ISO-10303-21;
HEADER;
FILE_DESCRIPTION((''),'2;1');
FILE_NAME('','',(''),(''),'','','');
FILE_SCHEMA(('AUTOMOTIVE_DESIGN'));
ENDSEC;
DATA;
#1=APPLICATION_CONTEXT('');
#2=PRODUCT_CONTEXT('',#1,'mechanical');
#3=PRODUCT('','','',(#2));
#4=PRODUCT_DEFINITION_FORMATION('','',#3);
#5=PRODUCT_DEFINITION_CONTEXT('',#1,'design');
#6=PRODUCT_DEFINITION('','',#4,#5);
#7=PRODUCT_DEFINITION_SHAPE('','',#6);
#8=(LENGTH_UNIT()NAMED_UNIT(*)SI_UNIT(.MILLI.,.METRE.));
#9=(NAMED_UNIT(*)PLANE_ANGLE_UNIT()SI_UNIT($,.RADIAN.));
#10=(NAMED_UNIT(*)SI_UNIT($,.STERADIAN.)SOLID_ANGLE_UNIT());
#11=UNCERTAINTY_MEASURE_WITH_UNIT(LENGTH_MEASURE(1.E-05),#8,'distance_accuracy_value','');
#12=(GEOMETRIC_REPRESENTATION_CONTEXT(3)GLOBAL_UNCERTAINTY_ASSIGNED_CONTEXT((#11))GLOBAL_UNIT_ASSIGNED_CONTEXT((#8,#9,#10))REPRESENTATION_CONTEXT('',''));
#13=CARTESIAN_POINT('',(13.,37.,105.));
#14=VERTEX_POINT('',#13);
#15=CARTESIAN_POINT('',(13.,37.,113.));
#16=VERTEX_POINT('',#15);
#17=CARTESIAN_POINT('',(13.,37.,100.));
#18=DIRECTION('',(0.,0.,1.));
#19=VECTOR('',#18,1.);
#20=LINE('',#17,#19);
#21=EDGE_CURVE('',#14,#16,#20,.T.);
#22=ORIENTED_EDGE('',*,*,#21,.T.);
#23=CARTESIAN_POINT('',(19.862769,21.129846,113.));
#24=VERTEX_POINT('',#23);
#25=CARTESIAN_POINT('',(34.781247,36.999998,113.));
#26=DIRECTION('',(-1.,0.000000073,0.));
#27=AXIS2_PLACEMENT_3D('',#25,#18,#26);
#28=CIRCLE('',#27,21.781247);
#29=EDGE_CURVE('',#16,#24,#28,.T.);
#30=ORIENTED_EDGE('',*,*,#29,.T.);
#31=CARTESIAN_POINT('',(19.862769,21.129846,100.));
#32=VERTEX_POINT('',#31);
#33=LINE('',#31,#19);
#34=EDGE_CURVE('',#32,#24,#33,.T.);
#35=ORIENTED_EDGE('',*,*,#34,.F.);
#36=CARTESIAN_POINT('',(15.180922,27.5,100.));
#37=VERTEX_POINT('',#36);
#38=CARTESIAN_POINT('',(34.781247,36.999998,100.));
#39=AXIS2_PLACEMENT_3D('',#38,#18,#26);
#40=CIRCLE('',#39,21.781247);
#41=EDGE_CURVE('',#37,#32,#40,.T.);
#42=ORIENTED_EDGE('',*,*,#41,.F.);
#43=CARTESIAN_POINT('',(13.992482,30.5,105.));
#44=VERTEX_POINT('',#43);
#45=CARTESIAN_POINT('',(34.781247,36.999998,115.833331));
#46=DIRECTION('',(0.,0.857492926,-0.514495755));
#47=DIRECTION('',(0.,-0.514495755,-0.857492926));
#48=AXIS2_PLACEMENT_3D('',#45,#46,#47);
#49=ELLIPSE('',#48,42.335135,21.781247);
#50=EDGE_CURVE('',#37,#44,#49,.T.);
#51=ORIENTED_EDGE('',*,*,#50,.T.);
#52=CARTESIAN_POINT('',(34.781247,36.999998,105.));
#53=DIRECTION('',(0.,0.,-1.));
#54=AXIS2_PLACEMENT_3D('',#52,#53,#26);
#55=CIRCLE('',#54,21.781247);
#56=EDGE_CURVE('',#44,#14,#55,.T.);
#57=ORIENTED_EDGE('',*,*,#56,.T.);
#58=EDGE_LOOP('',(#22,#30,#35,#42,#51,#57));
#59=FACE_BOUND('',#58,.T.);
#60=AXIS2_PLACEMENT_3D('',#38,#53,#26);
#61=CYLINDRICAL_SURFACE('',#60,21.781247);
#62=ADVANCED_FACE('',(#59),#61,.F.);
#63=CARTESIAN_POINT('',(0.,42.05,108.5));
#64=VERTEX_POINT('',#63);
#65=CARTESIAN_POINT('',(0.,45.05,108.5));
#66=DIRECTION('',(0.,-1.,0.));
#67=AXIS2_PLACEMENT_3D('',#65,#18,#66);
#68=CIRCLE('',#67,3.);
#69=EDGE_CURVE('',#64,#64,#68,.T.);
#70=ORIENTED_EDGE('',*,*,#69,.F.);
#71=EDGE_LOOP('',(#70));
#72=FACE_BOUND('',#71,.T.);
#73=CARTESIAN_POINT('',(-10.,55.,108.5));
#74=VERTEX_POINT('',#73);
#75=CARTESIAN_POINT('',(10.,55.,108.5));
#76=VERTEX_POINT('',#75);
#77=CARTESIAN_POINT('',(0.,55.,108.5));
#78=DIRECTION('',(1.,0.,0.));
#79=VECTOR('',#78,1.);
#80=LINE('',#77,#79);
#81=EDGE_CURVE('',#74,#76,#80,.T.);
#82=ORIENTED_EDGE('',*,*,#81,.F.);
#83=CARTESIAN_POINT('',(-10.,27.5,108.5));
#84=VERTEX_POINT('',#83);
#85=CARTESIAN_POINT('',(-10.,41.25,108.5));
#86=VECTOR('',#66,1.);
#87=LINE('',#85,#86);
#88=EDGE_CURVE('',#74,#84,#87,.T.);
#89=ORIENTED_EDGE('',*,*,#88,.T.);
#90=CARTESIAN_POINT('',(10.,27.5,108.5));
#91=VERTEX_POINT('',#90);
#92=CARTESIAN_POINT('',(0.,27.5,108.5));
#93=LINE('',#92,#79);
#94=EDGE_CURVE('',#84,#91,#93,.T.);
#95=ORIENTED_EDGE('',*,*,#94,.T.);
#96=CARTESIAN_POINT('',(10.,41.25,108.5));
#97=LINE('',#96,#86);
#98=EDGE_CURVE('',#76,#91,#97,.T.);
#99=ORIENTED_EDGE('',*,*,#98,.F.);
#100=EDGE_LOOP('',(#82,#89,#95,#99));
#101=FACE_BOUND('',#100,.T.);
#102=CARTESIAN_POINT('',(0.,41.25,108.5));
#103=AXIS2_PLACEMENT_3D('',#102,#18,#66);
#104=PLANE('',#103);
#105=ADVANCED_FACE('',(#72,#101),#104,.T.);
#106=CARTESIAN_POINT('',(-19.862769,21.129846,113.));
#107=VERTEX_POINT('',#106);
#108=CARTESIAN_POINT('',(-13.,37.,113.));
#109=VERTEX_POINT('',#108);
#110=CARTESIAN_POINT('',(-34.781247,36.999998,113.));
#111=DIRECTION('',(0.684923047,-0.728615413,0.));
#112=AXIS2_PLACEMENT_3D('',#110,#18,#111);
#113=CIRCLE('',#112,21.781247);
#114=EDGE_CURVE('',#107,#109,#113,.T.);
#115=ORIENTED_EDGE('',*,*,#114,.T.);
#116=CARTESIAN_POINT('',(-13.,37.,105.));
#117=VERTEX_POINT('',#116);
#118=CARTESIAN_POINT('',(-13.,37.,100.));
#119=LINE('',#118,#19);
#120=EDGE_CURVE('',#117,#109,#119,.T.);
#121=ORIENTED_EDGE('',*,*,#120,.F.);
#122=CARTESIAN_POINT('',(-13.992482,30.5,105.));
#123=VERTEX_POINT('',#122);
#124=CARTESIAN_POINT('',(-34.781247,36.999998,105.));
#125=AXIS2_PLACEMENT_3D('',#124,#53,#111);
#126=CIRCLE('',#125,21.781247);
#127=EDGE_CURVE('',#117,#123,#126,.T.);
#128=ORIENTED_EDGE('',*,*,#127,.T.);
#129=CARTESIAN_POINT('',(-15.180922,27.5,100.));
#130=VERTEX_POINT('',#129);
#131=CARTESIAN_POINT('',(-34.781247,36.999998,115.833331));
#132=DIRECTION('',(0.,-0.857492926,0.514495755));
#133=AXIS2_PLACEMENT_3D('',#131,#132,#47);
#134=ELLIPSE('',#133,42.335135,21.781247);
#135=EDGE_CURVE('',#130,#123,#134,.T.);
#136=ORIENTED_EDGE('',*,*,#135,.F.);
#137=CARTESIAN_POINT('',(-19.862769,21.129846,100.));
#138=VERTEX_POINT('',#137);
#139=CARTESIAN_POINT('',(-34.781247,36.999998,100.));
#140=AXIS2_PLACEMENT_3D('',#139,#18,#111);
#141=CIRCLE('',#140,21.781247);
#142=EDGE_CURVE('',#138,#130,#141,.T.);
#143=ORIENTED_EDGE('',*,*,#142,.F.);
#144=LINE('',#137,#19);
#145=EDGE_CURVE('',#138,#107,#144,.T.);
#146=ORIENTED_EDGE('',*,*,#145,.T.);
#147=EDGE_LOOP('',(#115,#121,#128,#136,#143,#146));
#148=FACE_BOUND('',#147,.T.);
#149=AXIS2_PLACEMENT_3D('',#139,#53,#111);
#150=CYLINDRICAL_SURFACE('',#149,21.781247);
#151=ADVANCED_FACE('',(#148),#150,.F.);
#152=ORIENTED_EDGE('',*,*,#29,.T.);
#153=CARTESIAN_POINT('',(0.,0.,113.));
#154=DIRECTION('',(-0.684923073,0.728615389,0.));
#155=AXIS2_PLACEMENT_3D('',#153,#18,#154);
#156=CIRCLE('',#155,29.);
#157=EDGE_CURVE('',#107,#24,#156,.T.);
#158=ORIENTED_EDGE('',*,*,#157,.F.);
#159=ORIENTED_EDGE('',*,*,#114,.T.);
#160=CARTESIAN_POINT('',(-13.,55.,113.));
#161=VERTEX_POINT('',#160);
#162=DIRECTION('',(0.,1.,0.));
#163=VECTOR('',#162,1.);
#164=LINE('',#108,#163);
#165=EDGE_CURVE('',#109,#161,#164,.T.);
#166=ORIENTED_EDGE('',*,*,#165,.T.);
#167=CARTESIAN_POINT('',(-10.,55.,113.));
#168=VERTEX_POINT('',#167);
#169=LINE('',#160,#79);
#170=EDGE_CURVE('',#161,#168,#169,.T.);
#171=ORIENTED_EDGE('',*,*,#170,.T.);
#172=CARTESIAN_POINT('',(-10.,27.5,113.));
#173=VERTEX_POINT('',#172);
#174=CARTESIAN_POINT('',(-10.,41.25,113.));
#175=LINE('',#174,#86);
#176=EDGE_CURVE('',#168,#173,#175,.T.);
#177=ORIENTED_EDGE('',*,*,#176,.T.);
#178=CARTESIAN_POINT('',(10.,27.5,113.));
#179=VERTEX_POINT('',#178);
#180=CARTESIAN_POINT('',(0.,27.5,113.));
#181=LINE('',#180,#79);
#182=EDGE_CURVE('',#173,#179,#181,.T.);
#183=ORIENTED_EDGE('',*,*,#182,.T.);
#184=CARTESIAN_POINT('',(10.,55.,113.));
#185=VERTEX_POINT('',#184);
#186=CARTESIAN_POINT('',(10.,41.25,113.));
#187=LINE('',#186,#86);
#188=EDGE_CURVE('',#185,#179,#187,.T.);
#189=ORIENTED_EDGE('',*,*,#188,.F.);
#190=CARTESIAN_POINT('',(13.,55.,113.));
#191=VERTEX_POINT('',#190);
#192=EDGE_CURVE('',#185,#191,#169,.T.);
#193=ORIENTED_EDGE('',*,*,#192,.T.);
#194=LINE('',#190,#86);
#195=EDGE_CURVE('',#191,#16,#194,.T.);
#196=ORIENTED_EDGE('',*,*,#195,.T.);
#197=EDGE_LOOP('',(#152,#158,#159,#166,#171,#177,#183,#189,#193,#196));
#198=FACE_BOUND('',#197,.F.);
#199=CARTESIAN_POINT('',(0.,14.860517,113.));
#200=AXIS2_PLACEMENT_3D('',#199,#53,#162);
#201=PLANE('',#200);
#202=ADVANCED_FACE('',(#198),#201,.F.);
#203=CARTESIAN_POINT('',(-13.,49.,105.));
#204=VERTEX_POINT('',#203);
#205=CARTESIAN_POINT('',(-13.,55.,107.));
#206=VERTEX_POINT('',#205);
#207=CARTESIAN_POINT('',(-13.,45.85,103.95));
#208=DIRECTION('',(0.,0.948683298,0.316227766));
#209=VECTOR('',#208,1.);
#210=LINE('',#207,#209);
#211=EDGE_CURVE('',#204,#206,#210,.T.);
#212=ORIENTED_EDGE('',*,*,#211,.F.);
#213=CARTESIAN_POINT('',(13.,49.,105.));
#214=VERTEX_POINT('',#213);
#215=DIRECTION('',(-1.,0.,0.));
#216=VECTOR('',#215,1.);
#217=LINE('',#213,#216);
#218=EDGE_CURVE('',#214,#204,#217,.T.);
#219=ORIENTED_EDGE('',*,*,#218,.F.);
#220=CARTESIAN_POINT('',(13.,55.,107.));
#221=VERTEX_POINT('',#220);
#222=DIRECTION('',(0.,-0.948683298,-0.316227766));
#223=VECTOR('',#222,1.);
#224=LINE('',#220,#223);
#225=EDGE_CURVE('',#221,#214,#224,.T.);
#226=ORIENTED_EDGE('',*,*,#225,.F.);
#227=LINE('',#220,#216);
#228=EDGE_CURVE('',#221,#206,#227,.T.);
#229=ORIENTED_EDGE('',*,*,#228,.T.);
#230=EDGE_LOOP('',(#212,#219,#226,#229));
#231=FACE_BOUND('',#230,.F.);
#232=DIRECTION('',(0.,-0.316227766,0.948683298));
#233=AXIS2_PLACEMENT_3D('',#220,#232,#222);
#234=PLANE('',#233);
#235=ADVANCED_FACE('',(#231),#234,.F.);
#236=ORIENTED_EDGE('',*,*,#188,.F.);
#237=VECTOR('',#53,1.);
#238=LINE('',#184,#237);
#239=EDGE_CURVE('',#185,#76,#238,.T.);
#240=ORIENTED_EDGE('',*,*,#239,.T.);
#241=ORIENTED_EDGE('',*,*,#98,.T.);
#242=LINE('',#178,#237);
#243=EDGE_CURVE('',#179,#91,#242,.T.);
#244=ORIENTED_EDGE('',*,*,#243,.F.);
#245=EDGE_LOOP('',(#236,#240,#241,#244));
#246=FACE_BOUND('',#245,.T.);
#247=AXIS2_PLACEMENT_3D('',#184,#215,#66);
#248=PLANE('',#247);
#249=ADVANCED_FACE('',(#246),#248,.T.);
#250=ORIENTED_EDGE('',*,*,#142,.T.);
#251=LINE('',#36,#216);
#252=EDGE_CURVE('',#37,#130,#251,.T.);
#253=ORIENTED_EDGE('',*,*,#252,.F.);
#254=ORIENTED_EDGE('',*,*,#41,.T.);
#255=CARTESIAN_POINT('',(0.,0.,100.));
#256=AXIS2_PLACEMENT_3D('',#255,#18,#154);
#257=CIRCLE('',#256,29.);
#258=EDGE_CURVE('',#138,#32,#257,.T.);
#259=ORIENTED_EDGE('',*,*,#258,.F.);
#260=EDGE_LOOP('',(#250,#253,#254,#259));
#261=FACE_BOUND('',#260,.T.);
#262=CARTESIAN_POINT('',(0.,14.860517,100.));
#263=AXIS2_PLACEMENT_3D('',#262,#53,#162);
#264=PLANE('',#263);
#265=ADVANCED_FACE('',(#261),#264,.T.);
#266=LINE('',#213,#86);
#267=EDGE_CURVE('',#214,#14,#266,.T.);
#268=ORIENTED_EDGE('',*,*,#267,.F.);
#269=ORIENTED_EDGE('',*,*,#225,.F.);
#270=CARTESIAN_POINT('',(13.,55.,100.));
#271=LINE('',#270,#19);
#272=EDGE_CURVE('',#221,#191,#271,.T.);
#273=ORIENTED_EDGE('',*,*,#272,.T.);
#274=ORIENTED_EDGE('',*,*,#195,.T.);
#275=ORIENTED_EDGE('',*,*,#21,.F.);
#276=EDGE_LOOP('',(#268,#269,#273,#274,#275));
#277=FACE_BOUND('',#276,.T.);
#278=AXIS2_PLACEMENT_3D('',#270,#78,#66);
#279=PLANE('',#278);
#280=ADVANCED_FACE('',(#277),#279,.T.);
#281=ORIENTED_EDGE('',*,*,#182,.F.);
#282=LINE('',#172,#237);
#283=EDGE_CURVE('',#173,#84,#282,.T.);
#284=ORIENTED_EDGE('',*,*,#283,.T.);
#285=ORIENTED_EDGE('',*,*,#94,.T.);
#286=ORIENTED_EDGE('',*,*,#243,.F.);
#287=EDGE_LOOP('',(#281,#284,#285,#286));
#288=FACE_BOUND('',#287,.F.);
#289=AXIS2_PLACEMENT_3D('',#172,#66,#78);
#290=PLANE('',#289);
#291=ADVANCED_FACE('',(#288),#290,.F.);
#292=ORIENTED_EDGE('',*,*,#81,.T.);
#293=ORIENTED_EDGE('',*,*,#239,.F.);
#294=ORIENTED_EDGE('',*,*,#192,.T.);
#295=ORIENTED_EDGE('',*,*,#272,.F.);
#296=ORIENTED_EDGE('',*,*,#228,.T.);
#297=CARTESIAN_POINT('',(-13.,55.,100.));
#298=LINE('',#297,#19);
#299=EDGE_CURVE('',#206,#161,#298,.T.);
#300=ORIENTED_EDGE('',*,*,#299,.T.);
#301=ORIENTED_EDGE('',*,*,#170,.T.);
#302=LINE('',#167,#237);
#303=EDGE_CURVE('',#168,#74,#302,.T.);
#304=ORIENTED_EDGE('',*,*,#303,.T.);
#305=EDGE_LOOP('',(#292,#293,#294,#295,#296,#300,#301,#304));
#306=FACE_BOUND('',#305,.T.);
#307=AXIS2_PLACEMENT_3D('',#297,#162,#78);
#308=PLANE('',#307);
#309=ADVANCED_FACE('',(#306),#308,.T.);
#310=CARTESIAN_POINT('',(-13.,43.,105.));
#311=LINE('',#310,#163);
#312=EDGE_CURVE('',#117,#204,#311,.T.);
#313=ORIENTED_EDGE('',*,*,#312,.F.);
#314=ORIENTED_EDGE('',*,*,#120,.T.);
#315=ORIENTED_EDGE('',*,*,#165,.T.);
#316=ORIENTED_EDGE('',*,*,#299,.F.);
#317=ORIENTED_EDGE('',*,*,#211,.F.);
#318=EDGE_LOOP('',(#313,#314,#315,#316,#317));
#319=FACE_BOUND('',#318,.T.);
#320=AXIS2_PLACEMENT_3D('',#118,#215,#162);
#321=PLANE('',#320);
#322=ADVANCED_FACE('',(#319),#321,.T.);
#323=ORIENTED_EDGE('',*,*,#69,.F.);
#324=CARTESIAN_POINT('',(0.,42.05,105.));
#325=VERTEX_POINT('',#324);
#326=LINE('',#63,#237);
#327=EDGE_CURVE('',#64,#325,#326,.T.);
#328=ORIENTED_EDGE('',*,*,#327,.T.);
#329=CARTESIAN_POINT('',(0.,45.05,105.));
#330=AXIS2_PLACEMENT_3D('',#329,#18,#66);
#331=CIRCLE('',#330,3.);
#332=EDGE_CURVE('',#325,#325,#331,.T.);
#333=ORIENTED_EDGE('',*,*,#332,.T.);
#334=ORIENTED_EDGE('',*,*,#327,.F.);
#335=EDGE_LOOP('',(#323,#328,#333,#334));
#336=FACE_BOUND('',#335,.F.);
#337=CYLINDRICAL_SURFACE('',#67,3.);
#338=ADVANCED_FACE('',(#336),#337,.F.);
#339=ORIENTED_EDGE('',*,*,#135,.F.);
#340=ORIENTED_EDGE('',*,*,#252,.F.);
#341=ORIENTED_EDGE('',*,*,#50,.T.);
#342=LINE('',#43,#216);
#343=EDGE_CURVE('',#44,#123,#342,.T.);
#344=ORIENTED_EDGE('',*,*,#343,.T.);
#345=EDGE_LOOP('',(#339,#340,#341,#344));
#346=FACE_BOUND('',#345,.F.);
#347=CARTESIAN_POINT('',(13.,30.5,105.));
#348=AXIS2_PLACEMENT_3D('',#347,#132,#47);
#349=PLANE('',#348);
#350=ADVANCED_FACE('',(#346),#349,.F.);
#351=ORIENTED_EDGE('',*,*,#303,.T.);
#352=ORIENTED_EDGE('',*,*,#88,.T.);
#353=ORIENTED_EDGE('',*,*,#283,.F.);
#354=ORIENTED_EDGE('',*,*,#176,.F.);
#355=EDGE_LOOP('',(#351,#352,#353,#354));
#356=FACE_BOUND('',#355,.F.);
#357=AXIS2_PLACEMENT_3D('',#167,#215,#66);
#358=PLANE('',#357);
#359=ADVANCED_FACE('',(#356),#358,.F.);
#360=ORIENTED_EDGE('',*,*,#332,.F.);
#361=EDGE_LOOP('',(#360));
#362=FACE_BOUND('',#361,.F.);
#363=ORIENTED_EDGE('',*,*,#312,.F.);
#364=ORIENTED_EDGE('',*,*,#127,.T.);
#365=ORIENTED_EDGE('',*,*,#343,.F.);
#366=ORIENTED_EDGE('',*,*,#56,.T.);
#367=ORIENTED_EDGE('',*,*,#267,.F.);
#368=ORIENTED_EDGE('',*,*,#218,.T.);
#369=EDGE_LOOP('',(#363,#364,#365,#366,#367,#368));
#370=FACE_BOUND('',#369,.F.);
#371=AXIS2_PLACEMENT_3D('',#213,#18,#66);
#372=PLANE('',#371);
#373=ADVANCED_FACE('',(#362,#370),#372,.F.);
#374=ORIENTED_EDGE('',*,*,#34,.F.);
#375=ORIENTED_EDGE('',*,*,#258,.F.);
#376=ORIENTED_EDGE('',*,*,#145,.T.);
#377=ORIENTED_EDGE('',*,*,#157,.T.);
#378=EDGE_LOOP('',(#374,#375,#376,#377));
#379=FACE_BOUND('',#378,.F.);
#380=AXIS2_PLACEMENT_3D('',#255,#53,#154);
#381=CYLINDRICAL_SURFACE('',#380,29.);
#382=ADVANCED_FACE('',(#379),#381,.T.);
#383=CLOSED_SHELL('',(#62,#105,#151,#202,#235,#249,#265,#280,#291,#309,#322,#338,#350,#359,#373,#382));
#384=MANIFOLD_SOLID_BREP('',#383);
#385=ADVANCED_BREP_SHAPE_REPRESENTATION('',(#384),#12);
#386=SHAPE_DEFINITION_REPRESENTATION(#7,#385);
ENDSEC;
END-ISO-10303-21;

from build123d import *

# Parameters (mm, degrees)
PAD001_DEPTH         = 13
SKETCH004_W          = 27.5
SKETCH004_H          = 20
POCKET_DEPTH         = 4.5
SKETCH005_R          = 3
HOLE_DEPTH           = 25
POCKET001_DEPTH      = 42.001
POCKET001_DEPTH_BACK = 16.001


with BuildPart() as part:
    # Sketch003 (on CopyRevolution) → Pad001 (new body)
    with BuildSketch(Plane(origin=(0, 0, 100), x_dir=(0, -1, 0), z_dir=(0, 0, 1))):
        with BuildLine():
            Line((-55, -13), (-55, 13))
            Line((-55, 13), (-37, 13))
            ThreePointArc((-37, 13), (-28.354779, 14.789176), (-21.129846, 19.862769))
            ThreePointArc((-21.129846, -19.862769), (29, 0), (-21.129846, 19.862769))
            ThreePointArc((-21.129846, -19.862769), (-28.354779, -14.789176), (-37, -13))
            Line((-37, -13), (-55, -13))
        make_face()
    extrude(amount=PAD001_DEPTH)

    # Sketch004 (on Face8 of Pad001) → Pocket (cut)
    with BuildSketch(Plane(origin=(0, 0, 113), x_dir=(0, -1, 0), z_dir=(0, 0, 1))):
        with Locations((-41.25, 0)):
            Rectangle(SKETCH004_W, SKETCH004_H)
    extrude(amount=-POCKET_DEPTH, mode=Mode.SUBTRACT)

    # Sketch005 (on Face12 of Pocket) → Hole (cut)
    with BuildSketch(Plane(origin=(0, 0, 108.5), x_dir=(0, -1, 0), z_dir=(0, 0, 1))):
        with Locations((-45.05, 0)):
            Circle(SKETCH005_R)
    extrude(amount=-HOLE_DEPTH, mode=Mode.SUBTRACT)

    # Sketch006 (on Face8 of Hole) → Pocket001 (cut, two sides)
    with BuildSketch(Plane.YZ.offset(13)) as pocket001_sk:
        Polygon((55, 107), (49, 105), (30.5, 105), (27.5, 100), (55, 100), align=None)
    extrude(amount=-POCKET001_DEPTH, mode=Mode.SUBTRACT)
    extrude(pocket001_sk.sketch, amount=POCKET001_DEPTH_BACK, mode=Mode.SUBTRACT)


solid = part.part
